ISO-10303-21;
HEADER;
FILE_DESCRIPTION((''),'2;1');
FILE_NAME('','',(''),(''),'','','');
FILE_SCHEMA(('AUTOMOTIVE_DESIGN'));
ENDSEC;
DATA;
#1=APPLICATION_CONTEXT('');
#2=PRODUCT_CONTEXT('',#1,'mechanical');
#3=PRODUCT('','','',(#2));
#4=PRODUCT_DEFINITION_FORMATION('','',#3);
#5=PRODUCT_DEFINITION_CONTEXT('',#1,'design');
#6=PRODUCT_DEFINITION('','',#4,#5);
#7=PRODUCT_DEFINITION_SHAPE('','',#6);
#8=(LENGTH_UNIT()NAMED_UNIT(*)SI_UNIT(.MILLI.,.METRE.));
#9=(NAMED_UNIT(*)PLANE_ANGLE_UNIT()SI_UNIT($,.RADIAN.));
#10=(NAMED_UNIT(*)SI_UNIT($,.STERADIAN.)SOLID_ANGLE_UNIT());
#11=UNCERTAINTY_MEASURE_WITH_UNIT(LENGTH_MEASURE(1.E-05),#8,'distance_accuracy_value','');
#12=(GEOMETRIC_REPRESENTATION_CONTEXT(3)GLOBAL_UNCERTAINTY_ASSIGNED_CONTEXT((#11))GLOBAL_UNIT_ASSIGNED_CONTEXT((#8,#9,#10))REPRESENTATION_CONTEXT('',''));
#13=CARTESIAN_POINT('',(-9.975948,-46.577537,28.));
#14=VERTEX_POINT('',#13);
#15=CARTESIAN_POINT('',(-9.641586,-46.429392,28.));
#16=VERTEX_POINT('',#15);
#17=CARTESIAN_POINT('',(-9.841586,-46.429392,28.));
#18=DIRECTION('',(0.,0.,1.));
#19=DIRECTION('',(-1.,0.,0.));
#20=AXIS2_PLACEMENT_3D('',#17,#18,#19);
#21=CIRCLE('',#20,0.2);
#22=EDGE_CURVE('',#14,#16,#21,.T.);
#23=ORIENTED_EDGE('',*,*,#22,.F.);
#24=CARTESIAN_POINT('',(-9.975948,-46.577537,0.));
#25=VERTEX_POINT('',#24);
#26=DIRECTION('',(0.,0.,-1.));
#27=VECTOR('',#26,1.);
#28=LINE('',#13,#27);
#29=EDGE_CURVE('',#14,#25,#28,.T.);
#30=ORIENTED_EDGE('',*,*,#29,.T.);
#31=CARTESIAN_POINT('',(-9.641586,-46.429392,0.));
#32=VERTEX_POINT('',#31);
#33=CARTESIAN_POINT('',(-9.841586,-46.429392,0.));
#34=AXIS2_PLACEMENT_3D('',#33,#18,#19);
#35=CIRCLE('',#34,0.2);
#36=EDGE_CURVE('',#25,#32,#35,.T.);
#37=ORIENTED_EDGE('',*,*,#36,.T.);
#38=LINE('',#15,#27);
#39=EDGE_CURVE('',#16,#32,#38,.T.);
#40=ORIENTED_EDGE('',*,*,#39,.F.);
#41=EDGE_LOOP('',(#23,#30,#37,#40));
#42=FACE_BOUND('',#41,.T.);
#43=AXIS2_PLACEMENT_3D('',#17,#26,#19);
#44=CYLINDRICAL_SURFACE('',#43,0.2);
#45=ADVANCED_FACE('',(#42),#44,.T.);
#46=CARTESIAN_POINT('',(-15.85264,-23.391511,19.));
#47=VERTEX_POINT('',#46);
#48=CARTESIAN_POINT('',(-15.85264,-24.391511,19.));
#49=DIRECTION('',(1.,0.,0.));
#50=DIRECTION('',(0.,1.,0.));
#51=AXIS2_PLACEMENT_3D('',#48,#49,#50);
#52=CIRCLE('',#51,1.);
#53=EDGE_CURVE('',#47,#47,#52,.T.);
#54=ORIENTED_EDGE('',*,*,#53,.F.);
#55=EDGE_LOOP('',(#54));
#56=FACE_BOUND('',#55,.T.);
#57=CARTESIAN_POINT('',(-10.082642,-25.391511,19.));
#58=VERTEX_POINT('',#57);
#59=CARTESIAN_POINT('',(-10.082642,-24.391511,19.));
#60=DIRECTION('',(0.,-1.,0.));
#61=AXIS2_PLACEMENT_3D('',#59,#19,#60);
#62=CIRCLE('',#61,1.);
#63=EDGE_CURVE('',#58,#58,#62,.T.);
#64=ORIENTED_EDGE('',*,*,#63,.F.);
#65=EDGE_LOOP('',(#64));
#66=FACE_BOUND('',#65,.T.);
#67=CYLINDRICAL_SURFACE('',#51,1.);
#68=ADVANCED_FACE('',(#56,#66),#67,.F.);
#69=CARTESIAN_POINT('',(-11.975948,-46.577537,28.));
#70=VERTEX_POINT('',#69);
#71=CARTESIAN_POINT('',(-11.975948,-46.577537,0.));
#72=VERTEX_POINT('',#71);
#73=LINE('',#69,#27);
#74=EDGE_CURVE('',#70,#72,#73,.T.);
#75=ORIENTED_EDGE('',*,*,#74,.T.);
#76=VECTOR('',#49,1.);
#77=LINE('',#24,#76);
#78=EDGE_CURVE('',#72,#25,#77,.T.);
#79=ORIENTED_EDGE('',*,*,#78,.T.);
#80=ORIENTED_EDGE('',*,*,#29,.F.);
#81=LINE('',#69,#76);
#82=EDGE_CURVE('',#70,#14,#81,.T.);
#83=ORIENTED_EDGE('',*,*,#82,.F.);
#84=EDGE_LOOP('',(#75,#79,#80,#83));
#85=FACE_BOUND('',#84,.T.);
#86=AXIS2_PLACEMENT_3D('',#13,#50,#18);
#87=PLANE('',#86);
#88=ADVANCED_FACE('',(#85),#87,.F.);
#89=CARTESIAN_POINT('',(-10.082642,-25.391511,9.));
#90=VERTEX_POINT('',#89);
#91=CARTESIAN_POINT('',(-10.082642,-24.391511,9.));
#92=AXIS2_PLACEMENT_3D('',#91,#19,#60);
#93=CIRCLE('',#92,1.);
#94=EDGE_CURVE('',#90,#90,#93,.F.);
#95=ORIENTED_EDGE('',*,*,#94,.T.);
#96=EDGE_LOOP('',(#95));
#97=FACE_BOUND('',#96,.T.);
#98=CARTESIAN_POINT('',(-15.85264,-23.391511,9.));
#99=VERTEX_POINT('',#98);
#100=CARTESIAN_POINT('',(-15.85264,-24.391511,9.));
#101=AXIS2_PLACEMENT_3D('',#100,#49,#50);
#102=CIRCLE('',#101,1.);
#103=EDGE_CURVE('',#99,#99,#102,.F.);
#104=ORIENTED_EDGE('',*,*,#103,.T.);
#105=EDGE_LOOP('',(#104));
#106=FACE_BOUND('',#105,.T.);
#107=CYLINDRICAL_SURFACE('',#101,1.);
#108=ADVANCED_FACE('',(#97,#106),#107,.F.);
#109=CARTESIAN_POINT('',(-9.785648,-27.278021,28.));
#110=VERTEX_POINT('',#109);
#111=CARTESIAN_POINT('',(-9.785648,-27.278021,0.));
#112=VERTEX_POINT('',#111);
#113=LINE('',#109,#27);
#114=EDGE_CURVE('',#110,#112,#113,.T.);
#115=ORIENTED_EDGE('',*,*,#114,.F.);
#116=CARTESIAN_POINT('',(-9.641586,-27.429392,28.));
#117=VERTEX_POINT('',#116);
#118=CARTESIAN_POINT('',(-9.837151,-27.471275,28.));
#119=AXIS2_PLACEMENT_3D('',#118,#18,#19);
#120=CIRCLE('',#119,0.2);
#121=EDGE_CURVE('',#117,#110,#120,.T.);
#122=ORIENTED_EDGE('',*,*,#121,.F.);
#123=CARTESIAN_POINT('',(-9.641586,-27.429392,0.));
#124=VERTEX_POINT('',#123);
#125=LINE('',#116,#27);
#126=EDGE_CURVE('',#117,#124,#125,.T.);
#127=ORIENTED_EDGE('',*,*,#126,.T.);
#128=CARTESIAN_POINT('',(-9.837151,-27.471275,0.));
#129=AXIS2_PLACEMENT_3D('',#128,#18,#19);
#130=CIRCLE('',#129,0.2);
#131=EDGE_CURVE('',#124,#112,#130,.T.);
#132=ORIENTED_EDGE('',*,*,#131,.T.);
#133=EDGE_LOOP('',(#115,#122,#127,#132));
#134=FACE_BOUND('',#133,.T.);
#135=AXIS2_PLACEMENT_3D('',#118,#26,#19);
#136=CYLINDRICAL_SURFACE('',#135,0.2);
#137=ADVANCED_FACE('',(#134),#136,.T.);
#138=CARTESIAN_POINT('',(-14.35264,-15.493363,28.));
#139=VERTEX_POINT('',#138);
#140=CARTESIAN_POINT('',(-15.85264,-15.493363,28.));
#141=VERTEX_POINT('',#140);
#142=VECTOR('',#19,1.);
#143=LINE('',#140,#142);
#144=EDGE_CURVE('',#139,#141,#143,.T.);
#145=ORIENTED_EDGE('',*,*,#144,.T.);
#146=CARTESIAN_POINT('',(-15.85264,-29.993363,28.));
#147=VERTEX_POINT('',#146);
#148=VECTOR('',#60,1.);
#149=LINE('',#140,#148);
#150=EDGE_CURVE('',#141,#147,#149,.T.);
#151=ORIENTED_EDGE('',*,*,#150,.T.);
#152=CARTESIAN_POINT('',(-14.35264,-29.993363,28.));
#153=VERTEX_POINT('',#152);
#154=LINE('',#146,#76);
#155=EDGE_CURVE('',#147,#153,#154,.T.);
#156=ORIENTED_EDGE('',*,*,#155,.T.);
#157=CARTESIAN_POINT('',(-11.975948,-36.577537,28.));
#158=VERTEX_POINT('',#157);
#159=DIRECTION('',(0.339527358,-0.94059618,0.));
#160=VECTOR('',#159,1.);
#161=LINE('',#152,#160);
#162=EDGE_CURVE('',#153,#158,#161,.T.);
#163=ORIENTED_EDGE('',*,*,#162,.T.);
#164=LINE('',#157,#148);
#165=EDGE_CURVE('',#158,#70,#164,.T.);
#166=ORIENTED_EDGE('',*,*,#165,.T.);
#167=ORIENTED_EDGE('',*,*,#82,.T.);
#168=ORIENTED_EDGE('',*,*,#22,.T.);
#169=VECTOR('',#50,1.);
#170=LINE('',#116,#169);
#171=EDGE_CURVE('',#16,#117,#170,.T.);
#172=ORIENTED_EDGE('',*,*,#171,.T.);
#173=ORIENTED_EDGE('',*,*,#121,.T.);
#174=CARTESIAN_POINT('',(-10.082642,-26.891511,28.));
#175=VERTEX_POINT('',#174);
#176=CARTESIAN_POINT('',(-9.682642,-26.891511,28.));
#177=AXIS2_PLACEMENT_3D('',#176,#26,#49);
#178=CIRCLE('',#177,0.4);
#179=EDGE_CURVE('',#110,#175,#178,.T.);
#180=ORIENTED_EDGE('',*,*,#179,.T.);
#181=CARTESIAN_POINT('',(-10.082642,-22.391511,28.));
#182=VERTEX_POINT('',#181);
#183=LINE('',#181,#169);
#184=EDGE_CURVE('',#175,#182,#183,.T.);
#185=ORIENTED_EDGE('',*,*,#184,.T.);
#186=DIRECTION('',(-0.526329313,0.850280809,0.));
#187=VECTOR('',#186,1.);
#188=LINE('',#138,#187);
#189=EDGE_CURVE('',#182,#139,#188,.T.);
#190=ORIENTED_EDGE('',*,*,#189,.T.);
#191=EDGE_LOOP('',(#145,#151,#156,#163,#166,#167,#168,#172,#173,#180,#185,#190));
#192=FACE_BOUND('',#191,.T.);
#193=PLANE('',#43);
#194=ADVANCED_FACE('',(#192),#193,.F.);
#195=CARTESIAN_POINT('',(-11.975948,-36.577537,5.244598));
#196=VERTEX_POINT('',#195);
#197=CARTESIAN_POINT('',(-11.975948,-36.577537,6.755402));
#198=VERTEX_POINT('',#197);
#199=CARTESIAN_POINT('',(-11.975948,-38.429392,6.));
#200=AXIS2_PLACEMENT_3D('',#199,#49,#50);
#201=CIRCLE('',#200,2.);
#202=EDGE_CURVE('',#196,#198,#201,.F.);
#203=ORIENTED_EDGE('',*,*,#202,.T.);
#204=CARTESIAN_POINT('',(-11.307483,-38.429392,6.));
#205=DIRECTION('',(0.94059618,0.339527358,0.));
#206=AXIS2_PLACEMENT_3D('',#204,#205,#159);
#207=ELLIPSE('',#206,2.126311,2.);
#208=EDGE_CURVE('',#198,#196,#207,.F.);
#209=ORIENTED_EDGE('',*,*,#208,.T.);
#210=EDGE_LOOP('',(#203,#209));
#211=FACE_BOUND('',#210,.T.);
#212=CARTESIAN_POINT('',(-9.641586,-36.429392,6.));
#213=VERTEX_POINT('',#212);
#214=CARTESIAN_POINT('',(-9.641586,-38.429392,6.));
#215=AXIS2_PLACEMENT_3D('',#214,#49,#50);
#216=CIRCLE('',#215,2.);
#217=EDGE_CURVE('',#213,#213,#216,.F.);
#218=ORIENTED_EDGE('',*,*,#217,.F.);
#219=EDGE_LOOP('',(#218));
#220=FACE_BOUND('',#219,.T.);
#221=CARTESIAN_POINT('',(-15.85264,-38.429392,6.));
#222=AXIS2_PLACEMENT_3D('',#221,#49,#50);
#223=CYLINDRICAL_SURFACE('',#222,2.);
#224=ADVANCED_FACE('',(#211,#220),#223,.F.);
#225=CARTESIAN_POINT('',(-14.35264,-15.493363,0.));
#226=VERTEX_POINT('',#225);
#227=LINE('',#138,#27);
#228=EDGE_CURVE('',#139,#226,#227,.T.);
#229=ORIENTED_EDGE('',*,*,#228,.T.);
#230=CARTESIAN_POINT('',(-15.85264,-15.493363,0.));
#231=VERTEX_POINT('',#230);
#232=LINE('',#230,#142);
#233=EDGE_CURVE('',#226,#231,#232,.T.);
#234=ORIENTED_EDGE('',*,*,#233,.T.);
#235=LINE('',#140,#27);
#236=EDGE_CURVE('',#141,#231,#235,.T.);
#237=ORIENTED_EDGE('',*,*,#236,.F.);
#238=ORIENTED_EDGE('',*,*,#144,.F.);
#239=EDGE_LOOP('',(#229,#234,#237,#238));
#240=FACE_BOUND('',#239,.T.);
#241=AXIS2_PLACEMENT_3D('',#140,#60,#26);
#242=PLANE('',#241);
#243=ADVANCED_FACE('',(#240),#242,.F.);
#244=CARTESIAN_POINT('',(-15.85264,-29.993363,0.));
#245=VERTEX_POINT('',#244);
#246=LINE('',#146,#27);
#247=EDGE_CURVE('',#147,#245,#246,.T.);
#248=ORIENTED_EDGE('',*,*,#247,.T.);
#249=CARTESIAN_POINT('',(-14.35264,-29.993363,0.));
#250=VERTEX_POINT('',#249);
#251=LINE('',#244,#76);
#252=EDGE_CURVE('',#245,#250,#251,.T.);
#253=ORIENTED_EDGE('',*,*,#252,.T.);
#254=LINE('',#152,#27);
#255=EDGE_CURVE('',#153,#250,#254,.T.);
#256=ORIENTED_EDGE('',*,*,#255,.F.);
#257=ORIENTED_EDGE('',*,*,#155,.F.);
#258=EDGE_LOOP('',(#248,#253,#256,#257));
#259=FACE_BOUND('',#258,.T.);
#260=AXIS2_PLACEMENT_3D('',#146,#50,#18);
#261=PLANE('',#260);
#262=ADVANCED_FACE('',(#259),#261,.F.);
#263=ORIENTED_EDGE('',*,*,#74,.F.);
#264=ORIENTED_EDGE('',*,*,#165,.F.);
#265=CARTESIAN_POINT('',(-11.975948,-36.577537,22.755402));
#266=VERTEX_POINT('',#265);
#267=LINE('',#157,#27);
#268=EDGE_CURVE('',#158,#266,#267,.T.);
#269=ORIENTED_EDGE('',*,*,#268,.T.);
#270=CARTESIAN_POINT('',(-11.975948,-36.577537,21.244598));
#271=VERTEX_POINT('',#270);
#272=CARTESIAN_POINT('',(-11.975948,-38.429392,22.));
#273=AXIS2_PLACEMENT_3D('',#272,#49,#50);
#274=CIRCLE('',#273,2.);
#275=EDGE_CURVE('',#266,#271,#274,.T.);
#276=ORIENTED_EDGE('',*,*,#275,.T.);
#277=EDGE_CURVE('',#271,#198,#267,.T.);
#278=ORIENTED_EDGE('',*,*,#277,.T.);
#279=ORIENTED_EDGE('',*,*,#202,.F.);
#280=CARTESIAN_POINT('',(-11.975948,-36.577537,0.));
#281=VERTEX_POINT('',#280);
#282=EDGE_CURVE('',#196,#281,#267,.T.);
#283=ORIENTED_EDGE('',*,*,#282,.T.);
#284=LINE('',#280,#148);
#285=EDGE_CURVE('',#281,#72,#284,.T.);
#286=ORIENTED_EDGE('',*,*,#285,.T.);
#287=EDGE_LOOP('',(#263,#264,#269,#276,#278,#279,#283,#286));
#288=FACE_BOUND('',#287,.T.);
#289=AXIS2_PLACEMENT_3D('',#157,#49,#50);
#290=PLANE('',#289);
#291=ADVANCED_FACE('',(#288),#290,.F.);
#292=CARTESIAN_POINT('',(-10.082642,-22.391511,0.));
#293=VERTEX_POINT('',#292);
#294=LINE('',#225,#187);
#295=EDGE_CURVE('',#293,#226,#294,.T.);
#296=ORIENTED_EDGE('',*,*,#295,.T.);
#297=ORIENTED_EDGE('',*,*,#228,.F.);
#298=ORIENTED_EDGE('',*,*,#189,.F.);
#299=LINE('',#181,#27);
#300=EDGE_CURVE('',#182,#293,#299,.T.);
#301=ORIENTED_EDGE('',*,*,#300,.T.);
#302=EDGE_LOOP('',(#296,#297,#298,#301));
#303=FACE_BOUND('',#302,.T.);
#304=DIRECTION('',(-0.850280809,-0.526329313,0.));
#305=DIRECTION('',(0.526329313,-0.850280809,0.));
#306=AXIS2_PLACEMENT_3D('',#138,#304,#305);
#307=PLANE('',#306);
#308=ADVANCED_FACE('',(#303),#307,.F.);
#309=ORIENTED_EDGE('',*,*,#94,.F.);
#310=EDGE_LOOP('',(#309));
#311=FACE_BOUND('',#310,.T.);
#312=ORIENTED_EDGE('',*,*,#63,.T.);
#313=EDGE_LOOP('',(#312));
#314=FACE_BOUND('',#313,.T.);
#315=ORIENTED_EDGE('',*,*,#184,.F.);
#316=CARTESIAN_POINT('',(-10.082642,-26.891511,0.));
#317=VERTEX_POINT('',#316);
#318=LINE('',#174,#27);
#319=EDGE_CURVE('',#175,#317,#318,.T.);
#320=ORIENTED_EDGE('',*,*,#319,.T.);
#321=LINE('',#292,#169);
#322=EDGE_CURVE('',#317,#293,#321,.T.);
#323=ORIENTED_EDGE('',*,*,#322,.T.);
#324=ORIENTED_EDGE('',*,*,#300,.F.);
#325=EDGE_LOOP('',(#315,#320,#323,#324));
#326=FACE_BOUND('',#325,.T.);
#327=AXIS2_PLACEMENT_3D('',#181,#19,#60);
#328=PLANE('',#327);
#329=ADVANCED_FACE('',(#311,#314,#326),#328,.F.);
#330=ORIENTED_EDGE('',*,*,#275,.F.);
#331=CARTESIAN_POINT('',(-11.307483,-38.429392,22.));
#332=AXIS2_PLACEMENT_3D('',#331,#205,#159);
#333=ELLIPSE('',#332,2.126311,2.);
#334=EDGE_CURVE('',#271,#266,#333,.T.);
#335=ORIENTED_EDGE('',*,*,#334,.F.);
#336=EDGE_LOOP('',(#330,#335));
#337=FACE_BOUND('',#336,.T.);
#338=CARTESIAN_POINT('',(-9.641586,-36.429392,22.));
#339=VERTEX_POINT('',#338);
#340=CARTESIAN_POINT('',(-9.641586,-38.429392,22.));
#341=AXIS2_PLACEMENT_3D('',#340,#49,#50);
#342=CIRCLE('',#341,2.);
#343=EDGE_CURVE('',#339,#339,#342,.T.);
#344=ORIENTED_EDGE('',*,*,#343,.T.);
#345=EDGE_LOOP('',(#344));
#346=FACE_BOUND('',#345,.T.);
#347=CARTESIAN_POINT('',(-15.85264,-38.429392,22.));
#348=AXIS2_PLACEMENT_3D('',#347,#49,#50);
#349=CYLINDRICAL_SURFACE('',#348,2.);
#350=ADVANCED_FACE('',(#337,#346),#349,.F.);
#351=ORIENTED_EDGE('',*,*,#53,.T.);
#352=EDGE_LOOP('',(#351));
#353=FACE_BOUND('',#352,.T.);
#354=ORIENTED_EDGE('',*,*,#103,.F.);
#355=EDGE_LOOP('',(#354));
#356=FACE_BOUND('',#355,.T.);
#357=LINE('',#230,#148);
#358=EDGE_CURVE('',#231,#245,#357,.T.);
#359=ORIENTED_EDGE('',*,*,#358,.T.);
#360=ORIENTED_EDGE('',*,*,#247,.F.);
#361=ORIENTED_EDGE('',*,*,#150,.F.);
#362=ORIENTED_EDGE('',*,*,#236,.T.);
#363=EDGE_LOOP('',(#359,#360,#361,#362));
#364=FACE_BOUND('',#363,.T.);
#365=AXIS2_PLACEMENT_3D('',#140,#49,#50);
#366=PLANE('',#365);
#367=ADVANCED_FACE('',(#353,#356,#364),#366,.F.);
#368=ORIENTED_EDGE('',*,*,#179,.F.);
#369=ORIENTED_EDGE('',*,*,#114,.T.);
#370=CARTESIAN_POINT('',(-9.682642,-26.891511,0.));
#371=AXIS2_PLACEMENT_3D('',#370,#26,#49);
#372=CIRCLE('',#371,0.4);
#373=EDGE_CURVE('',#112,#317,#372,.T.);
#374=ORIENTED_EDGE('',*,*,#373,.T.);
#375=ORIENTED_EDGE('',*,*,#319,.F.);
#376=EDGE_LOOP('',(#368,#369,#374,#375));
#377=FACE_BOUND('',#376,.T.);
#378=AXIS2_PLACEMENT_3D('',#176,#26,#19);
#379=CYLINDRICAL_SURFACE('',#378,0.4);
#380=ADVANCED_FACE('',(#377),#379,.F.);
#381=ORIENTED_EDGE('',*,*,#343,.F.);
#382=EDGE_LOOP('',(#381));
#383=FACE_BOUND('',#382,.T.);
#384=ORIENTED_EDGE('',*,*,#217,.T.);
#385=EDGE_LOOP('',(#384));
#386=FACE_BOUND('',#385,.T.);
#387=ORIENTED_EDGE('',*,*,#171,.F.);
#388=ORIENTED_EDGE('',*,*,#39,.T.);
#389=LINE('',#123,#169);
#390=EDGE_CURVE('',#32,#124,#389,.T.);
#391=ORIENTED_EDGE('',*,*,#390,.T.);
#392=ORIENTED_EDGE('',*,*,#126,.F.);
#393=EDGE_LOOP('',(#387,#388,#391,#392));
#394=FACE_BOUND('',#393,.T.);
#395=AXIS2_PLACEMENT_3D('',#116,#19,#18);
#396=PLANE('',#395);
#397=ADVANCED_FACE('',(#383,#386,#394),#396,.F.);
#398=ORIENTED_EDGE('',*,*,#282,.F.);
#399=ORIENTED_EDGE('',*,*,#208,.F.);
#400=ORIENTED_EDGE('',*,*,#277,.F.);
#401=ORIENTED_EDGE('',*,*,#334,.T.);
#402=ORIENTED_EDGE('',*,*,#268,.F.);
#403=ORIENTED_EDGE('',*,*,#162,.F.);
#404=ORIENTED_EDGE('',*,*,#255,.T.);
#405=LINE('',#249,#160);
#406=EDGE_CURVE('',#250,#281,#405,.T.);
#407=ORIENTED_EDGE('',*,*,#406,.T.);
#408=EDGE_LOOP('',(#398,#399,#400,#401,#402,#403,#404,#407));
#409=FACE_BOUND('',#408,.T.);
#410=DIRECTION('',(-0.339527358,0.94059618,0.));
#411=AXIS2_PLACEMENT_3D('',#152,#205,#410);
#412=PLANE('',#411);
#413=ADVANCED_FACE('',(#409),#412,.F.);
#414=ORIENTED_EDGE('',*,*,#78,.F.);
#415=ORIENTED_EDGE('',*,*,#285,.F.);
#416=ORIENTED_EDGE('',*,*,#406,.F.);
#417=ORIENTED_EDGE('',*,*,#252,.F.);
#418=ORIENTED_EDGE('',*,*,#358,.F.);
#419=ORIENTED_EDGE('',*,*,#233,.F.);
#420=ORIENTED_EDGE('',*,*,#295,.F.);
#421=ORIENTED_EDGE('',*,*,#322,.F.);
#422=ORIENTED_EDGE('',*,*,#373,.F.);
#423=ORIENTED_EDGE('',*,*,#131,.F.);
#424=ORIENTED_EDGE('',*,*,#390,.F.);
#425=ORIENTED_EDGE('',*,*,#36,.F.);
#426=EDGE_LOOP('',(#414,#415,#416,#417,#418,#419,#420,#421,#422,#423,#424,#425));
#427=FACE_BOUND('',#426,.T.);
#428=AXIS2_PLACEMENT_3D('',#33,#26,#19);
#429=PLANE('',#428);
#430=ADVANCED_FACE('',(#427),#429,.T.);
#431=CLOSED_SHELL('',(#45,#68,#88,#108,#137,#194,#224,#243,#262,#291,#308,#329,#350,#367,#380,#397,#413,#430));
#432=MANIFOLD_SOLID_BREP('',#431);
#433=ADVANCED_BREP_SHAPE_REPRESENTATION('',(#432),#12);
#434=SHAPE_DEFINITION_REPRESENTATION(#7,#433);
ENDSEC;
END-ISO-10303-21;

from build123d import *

# Parameters (mm, degrees)
EXTRUDE_2_DEPTH          = 28
CUT_EXTRUDE_3_DEPTH      = 55.695457471
CUT_EXTRUDE_3_DEPTH_BACK = 55.695457471
SKETCH_2_R               = 1
SKETCH_2_R_2             = 2


with BuildPart() as part:
    # 草图1 → 凸台-拉伸2 (new body)
    with BuildSketch(Plane.XY):
        with BuildLine():
            Line((-15.852639514, -15.493363478), (-14.352639514, -15.493363478))
            Line((-14.352639514, -15.493363478), (-10.082641686, -22.391510936))
            Line((-10.082641686, -22.391510936), (-10.082641686, -26.891510936))
            ThreePointArc((-10.082641686, -26.891510936), (-9.999818758, -27.135229432), (-9.78564816, -27.27802053))
            ThreePointArc((-9.78564816, -27.27802053), (-9.692275449, -27.33339509), (-9.641586108, -27.429391944))
            Line((-9.641586108, -27.429391944), (-9.641586108, -46.429391944))
            ThreePointArc((-9.641586108, -46.429391944), (-9.760568765, -46.612247597), (-9.975948009, -46.577536736))
            Line((-9.975948009, -46.577536736), (-10.975948009, -46.577536736))
            Line((-10.975948009, -46.577536736), (-11.975948009, -46.577536736))
            Line((-11.975948009, -46.577536736), (-11.975948009, -36.577536736))
            Line((-11.975948009, -36.577536736), (-14.352639514, -29.993363478))
            Line((-14.352639514, -29.993363478), (-15.852639514, -29.993363478))
            Line((-15.852639514, -29.993363478), (-15.852639514, -15.493363478))
        make_face()
    extrude(amount=EXTRUDE_2_DEPTH)

    # 草图2 → 切除-拉伸3 (cut, two sides: drawn at the far end of the back side and taken through both)
    with BuildSketch(Plane(origin=(-10.082641686, 0, 0), x_dir=(0, 0, -1), z_dir=(1, 0, 0)).offset(-CUT_EXTRUDE_3_DEPTH_BACK)):
        with Locations(Location((-19, -24.391510936, 0), (0, 0, 90))):
            Circle(SKETCH_2_R)
        with Locations(Location((-22, -38.429391944, 0), (0, 0, 90))):
            Circle(SKETCH_2_R_2)
        with Locations(Location((-6, -38.429391944, 0), (0, 0, 90))):
            Circle(SKETCH_2_R_2)
        with Locations(Location((-9, -24.391510936, 0), (0, 0, 90))):
            Circle(SKETCH_2_R)
    extrude(amount=CUT_EXTRUDE_3_DEPTH + CUT_EXTRUDE_3_DEPTH_BACK, mode=Mode.SUBTRACT)


solid = part.part
